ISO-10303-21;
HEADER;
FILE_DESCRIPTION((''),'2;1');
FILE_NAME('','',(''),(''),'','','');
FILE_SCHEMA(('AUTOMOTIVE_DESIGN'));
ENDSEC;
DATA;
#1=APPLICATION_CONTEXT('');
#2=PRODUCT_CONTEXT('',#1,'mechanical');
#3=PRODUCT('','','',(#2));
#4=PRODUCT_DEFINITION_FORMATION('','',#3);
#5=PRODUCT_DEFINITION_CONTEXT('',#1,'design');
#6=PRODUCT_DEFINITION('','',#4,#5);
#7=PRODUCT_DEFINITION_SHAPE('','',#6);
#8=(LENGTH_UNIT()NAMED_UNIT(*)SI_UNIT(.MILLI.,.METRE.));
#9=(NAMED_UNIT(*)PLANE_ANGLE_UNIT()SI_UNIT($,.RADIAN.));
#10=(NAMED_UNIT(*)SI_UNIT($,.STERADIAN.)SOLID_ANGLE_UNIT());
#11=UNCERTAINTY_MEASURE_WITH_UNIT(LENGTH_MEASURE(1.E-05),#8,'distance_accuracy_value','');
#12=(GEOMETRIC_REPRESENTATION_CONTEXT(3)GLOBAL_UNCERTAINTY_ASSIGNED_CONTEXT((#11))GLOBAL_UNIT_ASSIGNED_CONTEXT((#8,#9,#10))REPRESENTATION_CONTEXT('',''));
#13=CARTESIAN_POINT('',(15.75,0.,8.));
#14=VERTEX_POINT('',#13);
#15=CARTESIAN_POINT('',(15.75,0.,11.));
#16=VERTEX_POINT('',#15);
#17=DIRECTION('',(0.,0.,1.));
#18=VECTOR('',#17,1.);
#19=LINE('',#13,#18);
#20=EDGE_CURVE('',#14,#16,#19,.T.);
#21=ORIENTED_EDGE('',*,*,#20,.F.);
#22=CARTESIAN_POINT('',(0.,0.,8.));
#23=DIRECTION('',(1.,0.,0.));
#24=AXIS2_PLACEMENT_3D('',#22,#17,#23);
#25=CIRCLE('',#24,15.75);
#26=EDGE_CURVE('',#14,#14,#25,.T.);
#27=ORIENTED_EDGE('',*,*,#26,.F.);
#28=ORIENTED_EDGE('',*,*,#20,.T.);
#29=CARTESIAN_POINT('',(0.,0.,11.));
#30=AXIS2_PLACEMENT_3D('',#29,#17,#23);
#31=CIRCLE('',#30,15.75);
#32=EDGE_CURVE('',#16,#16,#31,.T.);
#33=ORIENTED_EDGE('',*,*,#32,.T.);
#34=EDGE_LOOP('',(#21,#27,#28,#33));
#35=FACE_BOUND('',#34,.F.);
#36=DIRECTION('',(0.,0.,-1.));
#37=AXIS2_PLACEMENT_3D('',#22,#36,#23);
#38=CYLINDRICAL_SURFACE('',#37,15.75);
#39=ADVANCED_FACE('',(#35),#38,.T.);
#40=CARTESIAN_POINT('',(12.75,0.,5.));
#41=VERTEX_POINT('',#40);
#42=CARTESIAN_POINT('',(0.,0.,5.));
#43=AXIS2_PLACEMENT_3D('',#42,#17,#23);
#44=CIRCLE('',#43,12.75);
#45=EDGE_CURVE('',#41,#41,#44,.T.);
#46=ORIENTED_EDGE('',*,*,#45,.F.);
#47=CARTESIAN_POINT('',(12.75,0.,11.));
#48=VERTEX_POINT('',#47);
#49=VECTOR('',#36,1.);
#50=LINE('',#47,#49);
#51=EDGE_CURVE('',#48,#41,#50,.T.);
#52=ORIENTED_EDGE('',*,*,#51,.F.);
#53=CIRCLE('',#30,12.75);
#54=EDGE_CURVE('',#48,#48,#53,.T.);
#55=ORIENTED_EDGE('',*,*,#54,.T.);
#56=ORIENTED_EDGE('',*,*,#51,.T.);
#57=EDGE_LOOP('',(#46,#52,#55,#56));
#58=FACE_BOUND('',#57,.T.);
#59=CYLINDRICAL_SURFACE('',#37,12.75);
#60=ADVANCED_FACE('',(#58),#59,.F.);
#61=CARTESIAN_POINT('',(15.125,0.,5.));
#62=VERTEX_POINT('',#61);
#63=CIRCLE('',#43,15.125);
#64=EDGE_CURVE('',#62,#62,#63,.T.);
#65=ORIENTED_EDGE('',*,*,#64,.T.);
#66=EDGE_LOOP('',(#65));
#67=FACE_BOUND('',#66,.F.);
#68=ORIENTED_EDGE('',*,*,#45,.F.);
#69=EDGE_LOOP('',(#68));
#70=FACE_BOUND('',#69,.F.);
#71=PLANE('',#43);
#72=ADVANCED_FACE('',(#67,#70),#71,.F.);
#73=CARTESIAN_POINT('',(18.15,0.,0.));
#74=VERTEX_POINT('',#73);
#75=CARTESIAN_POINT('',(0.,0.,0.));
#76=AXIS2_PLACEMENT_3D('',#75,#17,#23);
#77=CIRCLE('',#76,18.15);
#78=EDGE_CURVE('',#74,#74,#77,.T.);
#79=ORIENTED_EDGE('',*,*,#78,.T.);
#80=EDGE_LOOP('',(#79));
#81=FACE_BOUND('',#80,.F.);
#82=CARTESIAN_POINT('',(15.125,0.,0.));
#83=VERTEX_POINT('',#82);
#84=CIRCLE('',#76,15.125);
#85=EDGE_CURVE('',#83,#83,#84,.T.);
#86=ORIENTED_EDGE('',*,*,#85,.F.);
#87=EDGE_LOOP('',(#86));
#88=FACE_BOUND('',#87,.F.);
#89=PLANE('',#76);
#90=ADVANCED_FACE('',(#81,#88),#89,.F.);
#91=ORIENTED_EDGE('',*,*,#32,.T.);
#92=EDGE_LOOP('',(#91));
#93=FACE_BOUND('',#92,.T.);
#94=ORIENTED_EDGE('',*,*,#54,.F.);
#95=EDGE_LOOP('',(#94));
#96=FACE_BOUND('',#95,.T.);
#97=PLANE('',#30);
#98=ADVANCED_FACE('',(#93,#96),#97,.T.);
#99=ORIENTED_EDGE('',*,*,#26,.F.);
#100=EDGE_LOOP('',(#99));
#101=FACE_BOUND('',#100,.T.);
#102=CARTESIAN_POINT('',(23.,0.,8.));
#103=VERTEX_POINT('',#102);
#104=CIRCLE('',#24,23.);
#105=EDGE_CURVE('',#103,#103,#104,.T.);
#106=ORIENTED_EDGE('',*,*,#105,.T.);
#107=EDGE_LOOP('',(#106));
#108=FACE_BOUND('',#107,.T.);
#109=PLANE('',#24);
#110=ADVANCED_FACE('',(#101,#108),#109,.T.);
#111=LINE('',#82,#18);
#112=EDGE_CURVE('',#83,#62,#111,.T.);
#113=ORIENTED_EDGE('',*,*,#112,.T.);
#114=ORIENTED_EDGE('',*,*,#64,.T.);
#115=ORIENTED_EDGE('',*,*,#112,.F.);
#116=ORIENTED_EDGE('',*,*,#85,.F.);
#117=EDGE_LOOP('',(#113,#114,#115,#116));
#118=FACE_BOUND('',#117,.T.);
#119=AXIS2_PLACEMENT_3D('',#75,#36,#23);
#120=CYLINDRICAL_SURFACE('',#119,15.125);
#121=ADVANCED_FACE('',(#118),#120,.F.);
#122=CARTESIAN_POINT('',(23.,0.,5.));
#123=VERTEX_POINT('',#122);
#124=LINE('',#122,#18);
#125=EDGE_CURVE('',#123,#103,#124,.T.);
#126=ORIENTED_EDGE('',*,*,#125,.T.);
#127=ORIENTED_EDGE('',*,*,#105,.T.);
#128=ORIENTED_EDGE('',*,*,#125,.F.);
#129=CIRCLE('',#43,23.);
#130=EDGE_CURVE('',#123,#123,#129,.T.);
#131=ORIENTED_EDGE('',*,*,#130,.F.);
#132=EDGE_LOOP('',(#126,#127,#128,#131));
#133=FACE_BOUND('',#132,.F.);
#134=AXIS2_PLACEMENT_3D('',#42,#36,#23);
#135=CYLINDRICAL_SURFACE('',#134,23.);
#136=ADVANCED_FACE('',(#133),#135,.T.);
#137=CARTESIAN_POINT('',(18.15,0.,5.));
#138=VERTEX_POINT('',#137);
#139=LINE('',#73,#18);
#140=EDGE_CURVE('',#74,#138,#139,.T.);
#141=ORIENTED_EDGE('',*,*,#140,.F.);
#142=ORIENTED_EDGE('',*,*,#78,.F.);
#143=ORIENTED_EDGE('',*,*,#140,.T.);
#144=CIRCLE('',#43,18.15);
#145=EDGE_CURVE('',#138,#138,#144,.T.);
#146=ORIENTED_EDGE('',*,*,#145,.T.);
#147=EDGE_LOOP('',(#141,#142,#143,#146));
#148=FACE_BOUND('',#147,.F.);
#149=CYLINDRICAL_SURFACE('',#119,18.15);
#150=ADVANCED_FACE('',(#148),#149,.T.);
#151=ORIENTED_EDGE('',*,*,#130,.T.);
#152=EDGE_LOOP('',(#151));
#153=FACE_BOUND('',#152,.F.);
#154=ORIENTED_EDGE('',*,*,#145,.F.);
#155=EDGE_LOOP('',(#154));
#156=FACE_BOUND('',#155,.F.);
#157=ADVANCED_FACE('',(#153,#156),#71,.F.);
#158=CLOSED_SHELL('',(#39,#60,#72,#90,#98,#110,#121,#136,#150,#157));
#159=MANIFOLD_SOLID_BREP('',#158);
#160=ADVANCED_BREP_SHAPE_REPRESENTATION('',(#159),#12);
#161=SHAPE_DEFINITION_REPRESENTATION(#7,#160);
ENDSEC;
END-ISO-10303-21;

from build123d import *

# Parameters (mm, degrees)
F0_R     = 18.15
F0_R_2   = 15.125
F1_DEPTH = 5
F2_R     = 23
F2_R_2   = 18.15
F2_R_3   = 15.125
F2_R_4   = 12.75
F3_DEPTH = 3
F4_R     = 15.75
F4_R_2   = 12.75
F5_DEPTH = 3


with BuildPart() as f1:
    # F0 (on Top) → F1 (new body)
    with BuildSketch(Plane.XY):
        Circle(F0_R)
        Circle(F0_R_2, mode=Mode.SUBTRACT)
    extrude(amount=F1_DEPTH)

    # F2 (on face) → F3 (join)
    with BuildSketch(Plane.XY.offset(5)):
        Circle(F2_R)
        Circle(F2_R_2, mode=Mode.SUBTRACT)
        Circle(F2_R_2)
        Circle(F2_R_3, mode=Mode.SUBTRACT)
        Circle(F2_R_3)
        Circle(F2_R_4, mode=Mode.SUBTRACT)
    extrude(amount=F3_DEPTH)

    # F4 (on face) → F5 (join)
    with BuildSketch(Plane.XY.offset(8)):
        Circle(F4_R)
        Circle(F4_R_2, mode=Mode.SUBTRACT)
    extrude(amount=F5_DEPTH)


solid = f1.part
